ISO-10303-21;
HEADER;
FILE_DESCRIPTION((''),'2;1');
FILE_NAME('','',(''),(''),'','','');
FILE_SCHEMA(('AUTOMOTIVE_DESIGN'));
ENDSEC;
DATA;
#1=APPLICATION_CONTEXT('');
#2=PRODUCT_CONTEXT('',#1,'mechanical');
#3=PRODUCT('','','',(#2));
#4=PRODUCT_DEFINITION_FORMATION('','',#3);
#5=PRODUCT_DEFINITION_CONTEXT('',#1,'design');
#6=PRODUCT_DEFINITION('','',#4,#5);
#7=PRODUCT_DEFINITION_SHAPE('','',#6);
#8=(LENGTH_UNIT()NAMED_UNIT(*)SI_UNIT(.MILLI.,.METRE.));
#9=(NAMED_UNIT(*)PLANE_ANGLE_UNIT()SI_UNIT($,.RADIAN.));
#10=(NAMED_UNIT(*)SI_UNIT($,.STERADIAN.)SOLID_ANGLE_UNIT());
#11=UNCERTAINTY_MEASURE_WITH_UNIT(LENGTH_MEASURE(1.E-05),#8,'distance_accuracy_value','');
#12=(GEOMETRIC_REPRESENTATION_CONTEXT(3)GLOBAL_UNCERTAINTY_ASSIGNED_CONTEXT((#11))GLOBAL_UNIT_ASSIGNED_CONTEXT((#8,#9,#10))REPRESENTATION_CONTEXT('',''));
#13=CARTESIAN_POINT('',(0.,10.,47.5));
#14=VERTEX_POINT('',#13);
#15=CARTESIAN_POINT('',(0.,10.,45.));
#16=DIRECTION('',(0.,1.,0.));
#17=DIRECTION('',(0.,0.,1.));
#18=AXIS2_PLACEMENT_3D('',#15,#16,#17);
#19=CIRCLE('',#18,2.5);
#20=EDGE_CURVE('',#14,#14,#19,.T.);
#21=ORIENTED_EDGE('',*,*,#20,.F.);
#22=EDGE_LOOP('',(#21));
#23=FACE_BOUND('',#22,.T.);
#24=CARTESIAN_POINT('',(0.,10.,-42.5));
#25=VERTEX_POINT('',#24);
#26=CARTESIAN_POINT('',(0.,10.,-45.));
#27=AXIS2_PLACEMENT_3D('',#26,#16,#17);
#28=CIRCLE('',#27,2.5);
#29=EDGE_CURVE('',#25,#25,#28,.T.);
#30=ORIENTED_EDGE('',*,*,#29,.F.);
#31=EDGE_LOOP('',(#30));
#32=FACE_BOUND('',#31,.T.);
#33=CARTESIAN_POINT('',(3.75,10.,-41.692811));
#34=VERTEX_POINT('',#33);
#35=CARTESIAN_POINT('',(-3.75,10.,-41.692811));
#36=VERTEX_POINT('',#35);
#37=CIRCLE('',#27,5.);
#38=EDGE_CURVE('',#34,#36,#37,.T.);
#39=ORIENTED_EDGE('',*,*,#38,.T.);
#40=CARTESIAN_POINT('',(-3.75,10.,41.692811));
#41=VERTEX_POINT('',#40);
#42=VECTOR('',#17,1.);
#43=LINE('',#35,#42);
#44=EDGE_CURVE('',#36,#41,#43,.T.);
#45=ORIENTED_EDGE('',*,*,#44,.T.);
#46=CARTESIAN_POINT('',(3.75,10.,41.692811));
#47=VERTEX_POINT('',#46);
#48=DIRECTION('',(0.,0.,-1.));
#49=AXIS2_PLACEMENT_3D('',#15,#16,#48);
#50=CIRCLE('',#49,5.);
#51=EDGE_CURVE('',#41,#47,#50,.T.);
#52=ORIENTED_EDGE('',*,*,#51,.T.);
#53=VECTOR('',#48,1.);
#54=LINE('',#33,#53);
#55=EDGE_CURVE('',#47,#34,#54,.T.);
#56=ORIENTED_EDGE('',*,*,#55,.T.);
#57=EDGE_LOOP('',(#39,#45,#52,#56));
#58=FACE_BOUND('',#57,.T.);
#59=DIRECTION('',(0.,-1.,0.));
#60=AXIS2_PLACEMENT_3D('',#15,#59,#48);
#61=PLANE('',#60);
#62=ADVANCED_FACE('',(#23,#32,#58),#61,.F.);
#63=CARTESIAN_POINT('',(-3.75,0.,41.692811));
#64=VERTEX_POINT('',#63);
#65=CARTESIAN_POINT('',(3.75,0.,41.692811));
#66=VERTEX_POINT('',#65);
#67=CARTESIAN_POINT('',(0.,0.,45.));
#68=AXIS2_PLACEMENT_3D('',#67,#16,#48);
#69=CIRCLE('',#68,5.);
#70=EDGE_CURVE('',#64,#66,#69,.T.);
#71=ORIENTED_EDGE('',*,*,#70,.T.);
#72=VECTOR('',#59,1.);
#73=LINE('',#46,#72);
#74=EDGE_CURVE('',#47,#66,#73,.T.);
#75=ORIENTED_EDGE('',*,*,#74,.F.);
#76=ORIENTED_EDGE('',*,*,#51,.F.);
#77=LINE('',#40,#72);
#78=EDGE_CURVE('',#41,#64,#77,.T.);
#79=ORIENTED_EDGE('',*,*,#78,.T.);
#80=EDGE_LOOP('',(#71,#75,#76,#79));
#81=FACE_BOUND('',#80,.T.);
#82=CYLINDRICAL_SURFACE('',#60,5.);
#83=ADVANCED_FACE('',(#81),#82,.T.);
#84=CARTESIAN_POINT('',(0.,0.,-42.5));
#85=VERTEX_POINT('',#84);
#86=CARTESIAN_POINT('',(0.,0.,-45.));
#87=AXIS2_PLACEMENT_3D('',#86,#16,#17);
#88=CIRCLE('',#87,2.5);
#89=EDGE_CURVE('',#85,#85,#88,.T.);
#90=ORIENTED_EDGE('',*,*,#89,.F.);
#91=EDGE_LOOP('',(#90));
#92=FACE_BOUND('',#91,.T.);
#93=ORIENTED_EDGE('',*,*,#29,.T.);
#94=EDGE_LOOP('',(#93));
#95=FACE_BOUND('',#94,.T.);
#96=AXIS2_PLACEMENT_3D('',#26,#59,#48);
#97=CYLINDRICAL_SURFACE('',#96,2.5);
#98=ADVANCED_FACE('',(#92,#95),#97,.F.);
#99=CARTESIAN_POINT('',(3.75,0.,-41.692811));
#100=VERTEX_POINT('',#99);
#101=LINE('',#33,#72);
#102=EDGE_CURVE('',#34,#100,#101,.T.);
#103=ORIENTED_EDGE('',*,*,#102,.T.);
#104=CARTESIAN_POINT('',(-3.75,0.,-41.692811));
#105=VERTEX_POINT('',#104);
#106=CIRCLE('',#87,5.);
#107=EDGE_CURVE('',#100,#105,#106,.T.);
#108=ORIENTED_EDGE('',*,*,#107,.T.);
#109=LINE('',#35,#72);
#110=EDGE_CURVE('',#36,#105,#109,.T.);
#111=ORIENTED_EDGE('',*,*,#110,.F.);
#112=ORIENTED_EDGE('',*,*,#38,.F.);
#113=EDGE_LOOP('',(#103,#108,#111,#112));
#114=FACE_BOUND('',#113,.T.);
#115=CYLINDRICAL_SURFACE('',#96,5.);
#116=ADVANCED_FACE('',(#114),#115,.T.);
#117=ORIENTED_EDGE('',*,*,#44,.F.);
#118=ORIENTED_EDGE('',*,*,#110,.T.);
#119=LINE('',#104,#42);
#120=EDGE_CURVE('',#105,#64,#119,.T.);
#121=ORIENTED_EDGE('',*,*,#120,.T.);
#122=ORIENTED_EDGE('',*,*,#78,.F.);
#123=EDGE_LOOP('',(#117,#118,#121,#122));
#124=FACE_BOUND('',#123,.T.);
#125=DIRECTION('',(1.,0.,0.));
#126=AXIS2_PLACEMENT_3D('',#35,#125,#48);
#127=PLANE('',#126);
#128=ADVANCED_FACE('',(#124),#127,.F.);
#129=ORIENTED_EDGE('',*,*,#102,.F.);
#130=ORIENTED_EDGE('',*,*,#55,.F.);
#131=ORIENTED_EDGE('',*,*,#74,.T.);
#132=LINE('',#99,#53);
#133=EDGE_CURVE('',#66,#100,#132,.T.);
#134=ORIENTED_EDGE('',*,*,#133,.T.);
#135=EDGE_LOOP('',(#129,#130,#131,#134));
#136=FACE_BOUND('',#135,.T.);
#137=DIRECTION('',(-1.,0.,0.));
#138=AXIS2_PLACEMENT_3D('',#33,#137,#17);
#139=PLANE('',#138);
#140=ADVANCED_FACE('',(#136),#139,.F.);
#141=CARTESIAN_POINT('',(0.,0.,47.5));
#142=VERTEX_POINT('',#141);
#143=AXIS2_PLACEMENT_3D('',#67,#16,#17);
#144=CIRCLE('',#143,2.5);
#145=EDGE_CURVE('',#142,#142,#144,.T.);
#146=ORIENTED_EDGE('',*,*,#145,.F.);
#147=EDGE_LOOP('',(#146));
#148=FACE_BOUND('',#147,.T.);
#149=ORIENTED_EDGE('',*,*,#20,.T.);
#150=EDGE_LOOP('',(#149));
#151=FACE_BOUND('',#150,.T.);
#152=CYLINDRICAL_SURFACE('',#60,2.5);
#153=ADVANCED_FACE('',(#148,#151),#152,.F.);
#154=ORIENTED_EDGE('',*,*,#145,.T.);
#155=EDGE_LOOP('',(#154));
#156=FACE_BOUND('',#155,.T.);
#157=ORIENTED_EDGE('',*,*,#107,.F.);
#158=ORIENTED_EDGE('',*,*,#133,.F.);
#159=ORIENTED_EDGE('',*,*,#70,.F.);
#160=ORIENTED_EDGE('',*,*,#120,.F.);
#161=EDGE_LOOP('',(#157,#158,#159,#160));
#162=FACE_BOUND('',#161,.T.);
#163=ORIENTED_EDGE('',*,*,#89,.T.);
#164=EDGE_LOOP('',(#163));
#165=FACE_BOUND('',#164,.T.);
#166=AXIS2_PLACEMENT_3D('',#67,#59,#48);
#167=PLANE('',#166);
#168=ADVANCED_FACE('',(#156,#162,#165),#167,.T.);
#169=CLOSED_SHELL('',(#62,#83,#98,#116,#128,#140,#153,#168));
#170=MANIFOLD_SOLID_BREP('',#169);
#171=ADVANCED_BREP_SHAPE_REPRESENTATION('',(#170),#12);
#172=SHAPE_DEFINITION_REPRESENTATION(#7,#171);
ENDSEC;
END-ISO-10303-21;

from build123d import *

# Parameters (mm, degrees)
SKETCH1_R           = 2.5
BOSS_EXTRUDE1_DEPTH = 10


with BuildPart() as part:
    # Sketch1 → Boss-Extrude1 (new body)
    with BuildSketch(Plane(origin=(0, 0, 0), x_dir=(1, 0, 0), z_dir=(0, 1, 0))):
        with BuildLine():
            Line((-3.75, 41.692810861), (-3.75, -41.692810861))
            ThreePointArc((-3.75, -41.692810861), (0, -50), (3.75, -41.692810861))
            Line((3.75, -41.692810861), (3.75, 41.692810861))
            ThreePointArc((3.75, 41.692810861), (0, 50), (-3.75, 41.692810861))
        make_face()
        with Locations(Location((0, 45, 0), (0, 0, 270))):
            Circle(SKETCH1_R, mode=Mode.SUBTRACT)
        with Locations(Location((0, -45, 0), (0, 0, 270))):
            Circle(SKETCH1_R, mode=Mode.SUBTRACT)
    extrude(amount=BOSS_EXTRUDE1_DEPTH)


solid = part.part
